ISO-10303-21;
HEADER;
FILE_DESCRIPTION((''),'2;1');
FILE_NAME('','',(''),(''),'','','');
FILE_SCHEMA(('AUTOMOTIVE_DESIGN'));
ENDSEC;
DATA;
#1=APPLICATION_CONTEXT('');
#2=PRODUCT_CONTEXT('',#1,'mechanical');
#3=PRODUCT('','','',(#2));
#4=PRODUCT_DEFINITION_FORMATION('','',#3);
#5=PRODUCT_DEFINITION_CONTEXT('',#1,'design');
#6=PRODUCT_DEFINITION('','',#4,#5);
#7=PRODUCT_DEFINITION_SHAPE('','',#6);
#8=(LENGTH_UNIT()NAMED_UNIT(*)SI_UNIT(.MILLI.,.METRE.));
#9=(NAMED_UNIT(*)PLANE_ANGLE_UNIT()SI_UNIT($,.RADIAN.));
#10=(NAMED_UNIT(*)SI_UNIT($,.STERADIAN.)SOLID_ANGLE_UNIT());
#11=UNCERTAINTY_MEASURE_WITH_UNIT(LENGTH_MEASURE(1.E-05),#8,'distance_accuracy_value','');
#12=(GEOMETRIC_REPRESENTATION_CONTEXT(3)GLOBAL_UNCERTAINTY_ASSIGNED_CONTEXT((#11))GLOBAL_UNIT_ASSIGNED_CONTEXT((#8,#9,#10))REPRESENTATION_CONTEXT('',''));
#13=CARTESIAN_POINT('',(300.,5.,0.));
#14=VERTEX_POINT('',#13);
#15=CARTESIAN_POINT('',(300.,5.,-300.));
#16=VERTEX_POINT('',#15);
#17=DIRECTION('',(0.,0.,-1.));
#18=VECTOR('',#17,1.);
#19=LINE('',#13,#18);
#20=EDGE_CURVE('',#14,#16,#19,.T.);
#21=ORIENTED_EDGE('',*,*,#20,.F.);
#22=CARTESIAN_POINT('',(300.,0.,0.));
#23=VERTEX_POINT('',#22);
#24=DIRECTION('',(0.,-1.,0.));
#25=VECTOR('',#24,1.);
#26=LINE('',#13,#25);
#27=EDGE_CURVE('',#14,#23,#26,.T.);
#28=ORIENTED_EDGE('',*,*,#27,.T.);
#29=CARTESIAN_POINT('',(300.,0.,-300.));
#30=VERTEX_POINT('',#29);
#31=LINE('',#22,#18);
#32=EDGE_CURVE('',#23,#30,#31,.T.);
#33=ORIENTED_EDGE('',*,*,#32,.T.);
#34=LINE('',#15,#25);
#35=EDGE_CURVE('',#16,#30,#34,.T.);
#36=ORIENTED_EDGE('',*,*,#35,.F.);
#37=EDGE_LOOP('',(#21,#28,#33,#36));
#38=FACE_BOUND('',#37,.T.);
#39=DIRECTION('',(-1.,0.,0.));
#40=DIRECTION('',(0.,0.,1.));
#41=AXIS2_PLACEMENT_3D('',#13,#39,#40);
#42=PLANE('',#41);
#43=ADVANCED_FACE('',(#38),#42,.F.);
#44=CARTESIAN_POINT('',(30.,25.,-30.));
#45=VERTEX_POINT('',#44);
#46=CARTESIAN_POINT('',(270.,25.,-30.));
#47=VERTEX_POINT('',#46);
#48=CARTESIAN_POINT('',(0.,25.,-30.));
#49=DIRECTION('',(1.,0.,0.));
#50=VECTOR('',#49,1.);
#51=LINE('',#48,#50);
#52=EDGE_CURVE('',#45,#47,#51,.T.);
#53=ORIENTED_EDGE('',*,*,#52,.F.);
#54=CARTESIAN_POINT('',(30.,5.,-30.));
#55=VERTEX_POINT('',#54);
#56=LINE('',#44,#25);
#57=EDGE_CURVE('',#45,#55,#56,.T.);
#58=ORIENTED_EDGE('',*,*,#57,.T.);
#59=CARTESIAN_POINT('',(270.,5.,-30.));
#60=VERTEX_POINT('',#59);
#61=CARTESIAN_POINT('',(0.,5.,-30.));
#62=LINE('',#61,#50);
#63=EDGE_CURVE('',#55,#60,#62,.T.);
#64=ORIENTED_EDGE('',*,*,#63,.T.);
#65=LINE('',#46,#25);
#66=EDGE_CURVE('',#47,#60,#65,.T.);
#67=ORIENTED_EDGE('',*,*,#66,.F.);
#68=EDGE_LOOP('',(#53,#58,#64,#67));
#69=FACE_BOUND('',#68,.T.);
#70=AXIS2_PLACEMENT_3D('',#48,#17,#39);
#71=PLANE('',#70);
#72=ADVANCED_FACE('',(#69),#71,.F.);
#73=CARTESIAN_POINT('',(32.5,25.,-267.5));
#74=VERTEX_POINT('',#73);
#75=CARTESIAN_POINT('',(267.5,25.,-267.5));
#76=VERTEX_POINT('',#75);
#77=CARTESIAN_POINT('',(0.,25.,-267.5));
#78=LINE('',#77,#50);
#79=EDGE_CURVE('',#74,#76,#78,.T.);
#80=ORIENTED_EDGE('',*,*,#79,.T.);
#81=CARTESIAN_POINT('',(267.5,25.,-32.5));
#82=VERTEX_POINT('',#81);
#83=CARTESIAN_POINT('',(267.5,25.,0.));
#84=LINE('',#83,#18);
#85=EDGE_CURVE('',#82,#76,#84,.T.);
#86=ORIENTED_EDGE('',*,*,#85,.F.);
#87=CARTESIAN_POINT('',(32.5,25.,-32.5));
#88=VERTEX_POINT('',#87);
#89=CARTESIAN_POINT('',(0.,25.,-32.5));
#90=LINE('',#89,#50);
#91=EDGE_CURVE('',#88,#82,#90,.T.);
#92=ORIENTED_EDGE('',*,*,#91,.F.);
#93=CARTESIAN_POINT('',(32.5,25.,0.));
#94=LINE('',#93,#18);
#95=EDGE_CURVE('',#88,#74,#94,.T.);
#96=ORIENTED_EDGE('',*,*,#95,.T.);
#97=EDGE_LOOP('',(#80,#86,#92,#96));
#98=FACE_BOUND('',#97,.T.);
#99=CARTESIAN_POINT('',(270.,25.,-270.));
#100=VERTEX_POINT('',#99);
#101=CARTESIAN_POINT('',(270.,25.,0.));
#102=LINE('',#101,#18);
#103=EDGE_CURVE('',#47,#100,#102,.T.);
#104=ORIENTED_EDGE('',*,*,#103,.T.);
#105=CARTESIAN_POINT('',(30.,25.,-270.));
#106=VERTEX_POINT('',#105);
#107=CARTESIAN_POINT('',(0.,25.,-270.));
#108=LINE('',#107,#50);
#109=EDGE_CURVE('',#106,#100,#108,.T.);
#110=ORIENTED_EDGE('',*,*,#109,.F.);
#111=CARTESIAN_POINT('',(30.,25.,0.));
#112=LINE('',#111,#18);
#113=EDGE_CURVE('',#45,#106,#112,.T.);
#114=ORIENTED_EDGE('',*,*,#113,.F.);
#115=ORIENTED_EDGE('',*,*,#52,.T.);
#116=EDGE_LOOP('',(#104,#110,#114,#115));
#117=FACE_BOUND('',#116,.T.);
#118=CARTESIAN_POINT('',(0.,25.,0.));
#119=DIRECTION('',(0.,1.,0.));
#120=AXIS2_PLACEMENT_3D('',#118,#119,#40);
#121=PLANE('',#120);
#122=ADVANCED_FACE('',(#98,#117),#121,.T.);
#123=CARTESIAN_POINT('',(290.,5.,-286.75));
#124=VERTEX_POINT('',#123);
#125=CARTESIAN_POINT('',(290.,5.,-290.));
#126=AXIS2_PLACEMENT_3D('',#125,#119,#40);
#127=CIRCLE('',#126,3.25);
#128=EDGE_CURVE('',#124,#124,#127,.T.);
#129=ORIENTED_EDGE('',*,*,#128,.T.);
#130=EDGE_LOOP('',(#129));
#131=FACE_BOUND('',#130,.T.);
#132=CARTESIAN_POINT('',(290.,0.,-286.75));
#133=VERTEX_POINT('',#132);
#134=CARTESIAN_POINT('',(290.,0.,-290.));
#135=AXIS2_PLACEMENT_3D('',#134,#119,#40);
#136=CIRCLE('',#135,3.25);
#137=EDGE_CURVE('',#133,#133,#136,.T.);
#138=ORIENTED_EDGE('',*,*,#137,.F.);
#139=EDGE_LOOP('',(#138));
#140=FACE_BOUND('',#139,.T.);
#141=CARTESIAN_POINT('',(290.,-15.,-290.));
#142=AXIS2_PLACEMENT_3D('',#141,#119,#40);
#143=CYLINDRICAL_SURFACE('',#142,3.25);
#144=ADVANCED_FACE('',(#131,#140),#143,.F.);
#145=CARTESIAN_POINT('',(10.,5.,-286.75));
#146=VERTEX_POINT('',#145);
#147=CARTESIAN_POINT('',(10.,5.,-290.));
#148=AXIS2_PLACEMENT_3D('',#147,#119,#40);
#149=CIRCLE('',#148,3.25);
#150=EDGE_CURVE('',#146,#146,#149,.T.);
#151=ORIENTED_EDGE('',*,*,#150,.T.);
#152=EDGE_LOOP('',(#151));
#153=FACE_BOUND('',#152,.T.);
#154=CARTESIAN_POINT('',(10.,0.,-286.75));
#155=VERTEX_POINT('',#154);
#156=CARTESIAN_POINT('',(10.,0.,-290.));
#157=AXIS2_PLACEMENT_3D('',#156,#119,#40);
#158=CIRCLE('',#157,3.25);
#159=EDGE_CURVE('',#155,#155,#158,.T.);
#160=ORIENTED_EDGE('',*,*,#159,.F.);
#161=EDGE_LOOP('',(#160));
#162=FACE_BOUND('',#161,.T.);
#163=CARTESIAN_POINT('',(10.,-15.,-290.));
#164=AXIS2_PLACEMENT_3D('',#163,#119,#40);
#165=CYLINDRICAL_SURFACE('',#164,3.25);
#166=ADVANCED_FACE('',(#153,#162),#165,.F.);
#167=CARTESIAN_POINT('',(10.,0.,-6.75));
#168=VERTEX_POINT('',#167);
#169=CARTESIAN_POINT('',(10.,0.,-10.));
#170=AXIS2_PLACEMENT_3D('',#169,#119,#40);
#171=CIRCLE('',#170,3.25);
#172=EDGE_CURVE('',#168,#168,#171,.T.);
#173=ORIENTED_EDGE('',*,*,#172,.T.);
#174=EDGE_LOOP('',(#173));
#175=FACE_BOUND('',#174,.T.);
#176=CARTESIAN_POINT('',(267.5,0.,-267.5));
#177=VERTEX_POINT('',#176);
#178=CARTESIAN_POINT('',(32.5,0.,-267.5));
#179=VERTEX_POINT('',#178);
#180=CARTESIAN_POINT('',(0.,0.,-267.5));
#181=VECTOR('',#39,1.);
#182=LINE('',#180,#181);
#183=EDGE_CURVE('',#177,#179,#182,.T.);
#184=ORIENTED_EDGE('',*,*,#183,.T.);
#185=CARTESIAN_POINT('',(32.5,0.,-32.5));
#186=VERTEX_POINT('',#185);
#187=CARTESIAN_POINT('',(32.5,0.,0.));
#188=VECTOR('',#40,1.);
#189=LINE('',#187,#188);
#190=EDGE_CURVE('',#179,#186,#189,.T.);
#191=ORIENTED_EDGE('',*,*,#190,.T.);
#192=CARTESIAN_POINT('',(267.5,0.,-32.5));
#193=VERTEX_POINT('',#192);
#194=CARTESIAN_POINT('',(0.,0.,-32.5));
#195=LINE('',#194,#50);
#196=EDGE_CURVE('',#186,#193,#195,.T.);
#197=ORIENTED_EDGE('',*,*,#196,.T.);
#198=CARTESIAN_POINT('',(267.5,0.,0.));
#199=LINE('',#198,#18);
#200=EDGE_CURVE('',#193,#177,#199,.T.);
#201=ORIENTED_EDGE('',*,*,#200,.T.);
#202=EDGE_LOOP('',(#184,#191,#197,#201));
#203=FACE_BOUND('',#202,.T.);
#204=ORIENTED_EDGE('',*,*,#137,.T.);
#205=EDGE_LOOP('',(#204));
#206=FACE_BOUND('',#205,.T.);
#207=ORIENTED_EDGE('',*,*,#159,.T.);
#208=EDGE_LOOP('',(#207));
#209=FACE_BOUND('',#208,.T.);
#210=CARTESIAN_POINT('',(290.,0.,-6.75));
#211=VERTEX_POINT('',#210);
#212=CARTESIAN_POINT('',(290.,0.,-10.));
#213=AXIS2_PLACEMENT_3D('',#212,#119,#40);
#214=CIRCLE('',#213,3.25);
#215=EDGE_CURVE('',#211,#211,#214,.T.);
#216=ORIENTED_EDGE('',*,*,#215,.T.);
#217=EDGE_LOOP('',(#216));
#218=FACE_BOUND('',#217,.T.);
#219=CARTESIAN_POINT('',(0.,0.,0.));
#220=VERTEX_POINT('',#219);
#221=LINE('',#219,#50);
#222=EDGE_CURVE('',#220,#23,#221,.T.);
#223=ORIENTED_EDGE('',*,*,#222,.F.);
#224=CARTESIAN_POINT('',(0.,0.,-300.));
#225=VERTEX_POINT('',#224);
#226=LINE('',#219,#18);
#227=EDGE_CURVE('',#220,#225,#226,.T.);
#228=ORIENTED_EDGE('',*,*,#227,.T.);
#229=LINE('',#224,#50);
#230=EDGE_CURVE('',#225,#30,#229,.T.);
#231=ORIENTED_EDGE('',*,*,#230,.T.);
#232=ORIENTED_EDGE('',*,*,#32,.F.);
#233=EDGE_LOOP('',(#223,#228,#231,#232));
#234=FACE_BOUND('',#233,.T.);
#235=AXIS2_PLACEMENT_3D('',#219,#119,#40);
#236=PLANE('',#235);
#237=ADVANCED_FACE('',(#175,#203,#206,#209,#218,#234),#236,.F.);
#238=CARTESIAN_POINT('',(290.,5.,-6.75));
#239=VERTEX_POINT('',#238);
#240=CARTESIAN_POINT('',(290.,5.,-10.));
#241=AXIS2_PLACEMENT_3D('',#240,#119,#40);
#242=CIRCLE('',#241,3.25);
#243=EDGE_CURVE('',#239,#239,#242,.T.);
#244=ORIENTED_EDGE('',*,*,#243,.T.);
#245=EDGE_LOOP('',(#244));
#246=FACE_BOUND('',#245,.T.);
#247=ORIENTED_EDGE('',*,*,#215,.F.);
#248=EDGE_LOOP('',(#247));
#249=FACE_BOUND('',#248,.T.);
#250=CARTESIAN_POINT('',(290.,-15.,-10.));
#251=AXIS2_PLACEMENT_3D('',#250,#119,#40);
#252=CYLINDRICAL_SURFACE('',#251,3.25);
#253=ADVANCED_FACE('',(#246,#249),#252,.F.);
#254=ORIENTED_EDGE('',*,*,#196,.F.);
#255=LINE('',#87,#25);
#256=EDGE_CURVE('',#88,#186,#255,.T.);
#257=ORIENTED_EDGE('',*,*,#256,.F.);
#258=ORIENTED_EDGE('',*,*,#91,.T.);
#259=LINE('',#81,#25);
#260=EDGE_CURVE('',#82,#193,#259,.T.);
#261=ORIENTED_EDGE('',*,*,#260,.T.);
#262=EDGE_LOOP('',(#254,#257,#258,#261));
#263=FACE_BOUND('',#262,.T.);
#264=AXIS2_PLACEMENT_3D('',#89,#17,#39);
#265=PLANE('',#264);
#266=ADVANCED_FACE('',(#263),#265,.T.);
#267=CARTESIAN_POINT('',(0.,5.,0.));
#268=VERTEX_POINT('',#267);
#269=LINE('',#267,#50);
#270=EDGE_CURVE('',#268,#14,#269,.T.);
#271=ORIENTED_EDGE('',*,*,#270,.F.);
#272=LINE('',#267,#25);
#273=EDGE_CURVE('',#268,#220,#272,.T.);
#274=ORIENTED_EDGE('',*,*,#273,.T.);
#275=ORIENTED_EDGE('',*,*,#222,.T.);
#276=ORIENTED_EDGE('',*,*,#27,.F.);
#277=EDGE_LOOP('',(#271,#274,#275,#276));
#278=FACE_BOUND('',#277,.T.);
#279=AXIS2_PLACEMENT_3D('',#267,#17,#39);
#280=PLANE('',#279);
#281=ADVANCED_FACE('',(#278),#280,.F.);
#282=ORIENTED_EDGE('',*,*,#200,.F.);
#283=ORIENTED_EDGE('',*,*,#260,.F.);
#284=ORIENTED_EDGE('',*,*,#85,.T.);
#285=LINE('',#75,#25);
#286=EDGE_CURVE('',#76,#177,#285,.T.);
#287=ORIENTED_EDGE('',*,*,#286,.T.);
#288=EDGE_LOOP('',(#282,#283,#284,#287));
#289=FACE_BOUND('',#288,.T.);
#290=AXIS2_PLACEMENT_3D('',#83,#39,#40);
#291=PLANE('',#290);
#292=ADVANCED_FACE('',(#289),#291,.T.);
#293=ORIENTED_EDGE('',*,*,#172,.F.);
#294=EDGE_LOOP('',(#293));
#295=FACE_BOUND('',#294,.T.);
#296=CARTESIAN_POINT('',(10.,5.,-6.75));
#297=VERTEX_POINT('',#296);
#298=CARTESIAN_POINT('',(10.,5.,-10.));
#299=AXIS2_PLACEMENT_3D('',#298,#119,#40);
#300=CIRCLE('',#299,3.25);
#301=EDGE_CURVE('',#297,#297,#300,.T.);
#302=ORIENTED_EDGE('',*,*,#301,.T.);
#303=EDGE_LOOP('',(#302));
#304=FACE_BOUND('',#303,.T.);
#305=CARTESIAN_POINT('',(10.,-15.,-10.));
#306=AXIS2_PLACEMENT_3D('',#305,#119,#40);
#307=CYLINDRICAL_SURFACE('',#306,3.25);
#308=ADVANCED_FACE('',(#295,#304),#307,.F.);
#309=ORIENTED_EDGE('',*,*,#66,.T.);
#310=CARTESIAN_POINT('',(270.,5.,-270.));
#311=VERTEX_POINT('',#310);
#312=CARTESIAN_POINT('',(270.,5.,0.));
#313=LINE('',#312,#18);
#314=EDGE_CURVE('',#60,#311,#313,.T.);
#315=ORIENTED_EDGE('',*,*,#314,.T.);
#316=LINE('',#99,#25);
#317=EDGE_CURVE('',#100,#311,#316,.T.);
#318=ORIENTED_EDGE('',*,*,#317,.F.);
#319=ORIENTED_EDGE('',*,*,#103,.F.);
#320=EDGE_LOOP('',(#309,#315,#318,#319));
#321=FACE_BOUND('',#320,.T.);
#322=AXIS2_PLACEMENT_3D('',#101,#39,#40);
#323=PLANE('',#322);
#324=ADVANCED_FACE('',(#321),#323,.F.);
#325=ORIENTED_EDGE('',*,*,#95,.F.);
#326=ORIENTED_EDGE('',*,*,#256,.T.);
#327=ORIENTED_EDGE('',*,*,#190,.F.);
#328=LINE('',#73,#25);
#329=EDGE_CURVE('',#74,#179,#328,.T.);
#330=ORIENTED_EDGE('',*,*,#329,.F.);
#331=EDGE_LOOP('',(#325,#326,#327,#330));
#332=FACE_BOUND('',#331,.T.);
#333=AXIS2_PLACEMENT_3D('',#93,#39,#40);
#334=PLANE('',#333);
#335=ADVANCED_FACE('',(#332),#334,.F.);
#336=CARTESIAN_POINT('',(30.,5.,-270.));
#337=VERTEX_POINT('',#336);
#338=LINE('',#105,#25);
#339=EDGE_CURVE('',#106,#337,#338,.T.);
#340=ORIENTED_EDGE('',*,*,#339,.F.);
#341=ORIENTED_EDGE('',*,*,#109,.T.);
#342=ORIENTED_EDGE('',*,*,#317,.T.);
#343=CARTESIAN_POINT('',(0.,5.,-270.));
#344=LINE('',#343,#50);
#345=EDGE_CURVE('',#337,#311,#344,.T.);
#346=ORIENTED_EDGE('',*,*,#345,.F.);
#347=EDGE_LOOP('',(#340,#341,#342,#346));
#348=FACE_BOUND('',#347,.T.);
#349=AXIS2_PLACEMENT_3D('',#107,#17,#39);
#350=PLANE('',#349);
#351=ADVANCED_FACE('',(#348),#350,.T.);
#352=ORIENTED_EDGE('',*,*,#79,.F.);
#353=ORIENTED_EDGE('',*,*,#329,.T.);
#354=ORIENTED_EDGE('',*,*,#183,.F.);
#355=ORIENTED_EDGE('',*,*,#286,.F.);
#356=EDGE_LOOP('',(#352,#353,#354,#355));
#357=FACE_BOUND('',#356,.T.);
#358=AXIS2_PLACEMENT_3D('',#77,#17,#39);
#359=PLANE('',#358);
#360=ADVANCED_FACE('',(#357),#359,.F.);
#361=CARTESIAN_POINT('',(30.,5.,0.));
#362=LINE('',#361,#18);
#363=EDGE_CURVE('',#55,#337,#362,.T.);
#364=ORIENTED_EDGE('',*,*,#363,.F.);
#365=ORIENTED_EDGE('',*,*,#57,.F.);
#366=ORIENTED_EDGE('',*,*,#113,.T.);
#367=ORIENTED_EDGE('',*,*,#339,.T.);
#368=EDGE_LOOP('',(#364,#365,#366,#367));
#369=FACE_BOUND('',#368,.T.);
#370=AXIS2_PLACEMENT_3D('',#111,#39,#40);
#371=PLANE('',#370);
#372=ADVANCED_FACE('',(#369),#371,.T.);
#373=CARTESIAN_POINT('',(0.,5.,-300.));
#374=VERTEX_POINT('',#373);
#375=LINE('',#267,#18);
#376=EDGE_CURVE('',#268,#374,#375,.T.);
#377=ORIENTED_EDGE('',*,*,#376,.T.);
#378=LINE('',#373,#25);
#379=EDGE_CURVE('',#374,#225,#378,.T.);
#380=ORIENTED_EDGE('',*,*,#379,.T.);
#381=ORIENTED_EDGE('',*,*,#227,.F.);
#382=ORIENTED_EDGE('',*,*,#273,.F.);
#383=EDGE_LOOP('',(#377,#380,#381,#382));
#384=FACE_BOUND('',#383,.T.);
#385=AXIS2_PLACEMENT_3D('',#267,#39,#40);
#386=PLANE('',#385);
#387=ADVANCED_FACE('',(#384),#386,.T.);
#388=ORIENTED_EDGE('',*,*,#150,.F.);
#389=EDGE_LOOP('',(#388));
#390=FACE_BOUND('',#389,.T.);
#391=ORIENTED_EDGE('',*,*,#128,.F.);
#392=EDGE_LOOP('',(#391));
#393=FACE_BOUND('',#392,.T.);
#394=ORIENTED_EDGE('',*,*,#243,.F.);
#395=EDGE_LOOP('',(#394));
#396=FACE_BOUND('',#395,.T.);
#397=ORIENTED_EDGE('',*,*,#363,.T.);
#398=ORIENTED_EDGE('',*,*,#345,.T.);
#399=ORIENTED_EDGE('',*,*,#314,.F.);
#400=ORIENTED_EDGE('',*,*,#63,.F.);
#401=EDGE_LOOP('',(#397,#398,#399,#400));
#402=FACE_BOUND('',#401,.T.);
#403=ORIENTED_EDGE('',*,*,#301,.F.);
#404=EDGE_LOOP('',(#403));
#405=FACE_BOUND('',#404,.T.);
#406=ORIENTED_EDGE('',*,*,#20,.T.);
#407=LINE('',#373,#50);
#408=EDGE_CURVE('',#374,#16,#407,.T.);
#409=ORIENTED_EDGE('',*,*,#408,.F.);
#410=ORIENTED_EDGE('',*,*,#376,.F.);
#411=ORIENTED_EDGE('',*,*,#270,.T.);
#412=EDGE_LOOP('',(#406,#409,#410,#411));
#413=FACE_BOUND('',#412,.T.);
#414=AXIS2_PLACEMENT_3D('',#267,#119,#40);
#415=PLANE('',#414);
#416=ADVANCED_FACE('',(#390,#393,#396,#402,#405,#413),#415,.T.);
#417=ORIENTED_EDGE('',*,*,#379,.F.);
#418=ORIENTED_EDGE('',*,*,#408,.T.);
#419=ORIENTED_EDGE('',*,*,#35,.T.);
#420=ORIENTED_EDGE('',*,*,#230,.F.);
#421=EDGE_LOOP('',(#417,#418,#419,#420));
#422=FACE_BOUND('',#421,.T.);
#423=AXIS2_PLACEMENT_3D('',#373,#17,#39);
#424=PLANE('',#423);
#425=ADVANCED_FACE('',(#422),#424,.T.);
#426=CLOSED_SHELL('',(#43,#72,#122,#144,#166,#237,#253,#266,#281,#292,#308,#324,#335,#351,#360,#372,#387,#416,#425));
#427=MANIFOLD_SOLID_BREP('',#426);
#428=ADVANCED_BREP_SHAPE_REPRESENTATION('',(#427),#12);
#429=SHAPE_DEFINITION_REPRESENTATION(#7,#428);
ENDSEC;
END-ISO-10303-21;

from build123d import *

# Parameters (mm, degrees)
BOSS_EXTRUDE1_DEPTH = 5
SKETCH4_W           = 240
SKETCH4_H           = 240
SKETCH4_W_2         = 230.5
SKETCH4_H_2         = 230.5
BOSS_EXTRUDE2_DEPTH = 20
SKETCH6_R           = 3.25
CUT_EXTRUDE1_DEPTH  = 20
SKETCH7_W           = 240
SKETCH7_H           = 240
CUT_EXTRUDE2_DEPTH  = 20
SKETCH8_W           = 240
SKETCH8_H           = 240
SKETCH8_W_2         = 235
SKETCH8_H_2         = 235
BOSS_EXTRUDE3_DEPTH = 20
SKETCH9_W           = 235
SKETCH9_H           = 235
CUT_EXTRUDE3_DEPTH  = 20


with BuildPart() as part:
    # Sketch3 → Boss-Extrude1 (new body)
    with BuildSketch(Plane(origin=(0, 0, 0), x_dir=(1, 0, 0), z_dir=(0, 1, 0))):
        Polygon((300, 300), (150, 150), (300, 0), align=None)
        Polygon((150, 150), (0, 0), (300, 0), align=None)
        Polygon((0, 300), (0, 0), (150, 150), align=None)
        Polygon((0, 300), (150, 150), (300, 300), align=None)
    extrude(amount=BOSS_EXTRUDE1_DEPTH)

    # Sketch4 → Boss-Extrude2 (add)
    with BuildSketch(Plane(origin=(0, 5, 0), x_dir=(1, 0, 0), z_dir=(0, 1, 0))):
        with Locations((150, 150)):
            Rectangle(SKETCH4_W, SKETCH4_H)
        with Locations((150, 150)):
            Rectangle(SKETCH4_W_2, SKETCH4_H_2, mode=Mode.SUBTRACT)
    extrude(amount=BOSS_EXTRUDE2_DEPTH)

    # Sketch6 → Cut-Extrude1 (cut)
    with BuildSketch(Plane(origin=(0, 5, 0), x_dir=(1, 0, 0), z_dir=(0, 1, 0))):
        with Locations(Location((10, 10, 0), (0, 0, 270))):
            Circle(SKETCH6_R)
        with Locations(Location((290, 10, 0), (0, 0, 270))):
            Circle(SKETCH6_R)
        with Locations(Location((290, 290, 0), (0, 0, 270))):
            Circle(SKETCH6_R)
        with Locations(Location((10, 290, 0), (0, 0, 270))):
            Circle(SKETCH6_R)
    extrude(amount=-CUT_EXTRUDE1_DEPTH, mode=Mode.SUBTRACT)

    # Sketch7 → Cut-Extrude2 (cut)
    with BuildSketch(Plane(origin=(0, 25, 0), x_dir=(1, 0, 0), z_dir=(0, 1, 0))):
        with Locations((150, 150)):
            Rectangle(SKETCH7_W, SKETCH7_H)
    extrude(amount=-CUT_EXTRUDE2_DEPTH, mode=Mode.SUBTRACT)

    # Sketch8 → Boss-Extrude3 (add)
    with BuildSketch(Plane(origin=(0, 5, 0), x_dir=(1, 0, 0), z_dir=(0, 1, 0))):
        with Locations((150, 150)):
            Rectangle(SKETCH8_W, SKETCH8_H)
        with Locations((150, 150)):
            Rectangle(SKETCH8_W_2, SKETCH8_H_2, mode=Mode.SUBTRACT)
    extrude(amount=BOSS_EXTRUDE3_DEPTH)

    # Sketch9 → Cut-Extrude3 (cut)
    with BuildSketch(Plane(origin=(0, 5, 0), x_dir=(1, 0, 0), z_dir=(0, 1, 0))):
        with Locations((150, 150)):
            Rectangle(SKETCH9_W, SKETCH9_H)
    extrude(amount=-CUT_EXTRUDE3_DEPTH, mode=Mode.SUBTRACT)


solid = part.part
